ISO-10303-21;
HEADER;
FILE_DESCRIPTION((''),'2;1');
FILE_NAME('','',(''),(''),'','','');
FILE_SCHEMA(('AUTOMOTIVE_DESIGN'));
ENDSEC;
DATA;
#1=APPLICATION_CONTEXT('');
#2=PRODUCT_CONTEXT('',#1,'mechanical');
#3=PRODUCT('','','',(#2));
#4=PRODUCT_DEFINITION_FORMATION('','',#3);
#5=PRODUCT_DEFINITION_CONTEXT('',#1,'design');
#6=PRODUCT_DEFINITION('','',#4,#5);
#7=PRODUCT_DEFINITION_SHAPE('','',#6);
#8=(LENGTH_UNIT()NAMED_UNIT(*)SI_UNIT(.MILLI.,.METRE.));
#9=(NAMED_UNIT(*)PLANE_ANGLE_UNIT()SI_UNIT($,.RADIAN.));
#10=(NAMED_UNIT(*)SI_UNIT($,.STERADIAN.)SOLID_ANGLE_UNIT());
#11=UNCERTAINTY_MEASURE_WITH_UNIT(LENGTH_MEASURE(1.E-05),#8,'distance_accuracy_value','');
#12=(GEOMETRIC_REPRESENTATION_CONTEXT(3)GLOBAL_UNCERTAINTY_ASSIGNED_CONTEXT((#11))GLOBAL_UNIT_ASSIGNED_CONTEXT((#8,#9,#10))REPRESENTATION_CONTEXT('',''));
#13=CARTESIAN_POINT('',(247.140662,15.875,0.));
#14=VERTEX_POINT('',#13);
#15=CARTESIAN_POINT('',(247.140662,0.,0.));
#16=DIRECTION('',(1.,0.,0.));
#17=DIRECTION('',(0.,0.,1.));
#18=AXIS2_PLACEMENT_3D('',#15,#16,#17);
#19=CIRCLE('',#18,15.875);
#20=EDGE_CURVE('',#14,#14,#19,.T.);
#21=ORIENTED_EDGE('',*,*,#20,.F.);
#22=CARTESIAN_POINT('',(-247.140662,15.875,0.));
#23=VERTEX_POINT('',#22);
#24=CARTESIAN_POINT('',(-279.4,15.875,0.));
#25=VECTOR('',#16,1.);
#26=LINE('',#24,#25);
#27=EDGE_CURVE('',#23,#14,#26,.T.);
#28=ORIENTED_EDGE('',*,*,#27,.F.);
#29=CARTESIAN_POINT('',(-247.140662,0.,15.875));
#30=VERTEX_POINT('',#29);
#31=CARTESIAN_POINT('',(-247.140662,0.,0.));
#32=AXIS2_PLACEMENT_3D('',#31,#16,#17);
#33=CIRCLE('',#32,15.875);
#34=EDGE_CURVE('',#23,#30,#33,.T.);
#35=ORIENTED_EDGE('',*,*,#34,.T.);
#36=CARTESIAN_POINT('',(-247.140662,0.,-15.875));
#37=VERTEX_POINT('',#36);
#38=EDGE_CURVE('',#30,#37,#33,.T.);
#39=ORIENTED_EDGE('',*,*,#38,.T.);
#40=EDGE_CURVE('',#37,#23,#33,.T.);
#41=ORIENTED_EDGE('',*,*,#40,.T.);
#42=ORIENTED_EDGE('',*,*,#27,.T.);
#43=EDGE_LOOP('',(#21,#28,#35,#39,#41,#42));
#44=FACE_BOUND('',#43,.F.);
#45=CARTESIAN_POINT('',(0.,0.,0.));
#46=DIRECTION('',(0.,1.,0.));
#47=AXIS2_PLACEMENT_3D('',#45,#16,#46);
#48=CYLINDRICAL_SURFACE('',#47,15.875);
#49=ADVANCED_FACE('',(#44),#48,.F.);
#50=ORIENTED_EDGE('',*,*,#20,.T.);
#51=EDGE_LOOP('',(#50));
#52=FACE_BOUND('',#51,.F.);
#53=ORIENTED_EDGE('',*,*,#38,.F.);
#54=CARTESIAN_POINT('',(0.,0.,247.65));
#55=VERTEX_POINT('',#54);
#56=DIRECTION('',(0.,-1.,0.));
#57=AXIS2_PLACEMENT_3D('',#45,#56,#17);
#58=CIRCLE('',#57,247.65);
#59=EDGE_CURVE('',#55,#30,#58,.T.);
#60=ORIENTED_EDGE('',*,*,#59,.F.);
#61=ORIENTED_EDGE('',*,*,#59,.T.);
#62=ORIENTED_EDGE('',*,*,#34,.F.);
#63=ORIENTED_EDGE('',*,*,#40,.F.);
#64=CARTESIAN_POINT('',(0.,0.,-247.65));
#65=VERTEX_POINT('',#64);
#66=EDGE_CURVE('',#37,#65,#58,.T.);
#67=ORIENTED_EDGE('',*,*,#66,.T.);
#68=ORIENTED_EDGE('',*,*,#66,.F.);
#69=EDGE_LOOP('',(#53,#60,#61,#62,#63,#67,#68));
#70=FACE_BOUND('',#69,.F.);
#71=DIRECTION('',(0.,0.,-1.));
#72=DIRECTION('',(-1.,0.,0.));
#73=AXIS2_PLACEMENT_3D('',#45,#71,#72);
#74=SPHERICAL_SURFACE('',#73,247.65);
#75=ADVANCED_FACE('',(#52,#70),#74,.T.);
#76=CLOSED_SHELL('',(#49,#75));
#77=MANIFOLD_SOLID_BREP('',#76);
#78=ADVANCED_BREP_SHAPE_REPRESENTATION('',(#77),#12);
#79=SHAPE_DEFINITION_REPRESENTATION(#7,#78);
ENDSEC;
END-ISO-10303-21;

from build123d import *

# Parameters (mm, degrees)
F2_R     = 15.875
F3_DEPTH = 279.4


with BuildPart() as f1:
    # F0 (on Front) → F1 (revolve)
    with BuildSketch(Plane.XZ):
        with BuildLine():
            Line((0, 0), (0, 247.65))
            ThreePointArc((0, 247.65), (-247.65, 0), (0, -247.65))
            Line((0, -247.65), (0, 0))
        make_face()
    revolve(axis=Axis((0, 0, 0), (0, 0, 1)))

    # F2 (on Right) → F3 (cut, symmetric)
    with BuildSketch(Plane.YZ):
        Circle(F2_R)
    extrude(amount=F3_DEPTH, both=True, mode=Mode.SUBTRACT)


solid = f1.part
